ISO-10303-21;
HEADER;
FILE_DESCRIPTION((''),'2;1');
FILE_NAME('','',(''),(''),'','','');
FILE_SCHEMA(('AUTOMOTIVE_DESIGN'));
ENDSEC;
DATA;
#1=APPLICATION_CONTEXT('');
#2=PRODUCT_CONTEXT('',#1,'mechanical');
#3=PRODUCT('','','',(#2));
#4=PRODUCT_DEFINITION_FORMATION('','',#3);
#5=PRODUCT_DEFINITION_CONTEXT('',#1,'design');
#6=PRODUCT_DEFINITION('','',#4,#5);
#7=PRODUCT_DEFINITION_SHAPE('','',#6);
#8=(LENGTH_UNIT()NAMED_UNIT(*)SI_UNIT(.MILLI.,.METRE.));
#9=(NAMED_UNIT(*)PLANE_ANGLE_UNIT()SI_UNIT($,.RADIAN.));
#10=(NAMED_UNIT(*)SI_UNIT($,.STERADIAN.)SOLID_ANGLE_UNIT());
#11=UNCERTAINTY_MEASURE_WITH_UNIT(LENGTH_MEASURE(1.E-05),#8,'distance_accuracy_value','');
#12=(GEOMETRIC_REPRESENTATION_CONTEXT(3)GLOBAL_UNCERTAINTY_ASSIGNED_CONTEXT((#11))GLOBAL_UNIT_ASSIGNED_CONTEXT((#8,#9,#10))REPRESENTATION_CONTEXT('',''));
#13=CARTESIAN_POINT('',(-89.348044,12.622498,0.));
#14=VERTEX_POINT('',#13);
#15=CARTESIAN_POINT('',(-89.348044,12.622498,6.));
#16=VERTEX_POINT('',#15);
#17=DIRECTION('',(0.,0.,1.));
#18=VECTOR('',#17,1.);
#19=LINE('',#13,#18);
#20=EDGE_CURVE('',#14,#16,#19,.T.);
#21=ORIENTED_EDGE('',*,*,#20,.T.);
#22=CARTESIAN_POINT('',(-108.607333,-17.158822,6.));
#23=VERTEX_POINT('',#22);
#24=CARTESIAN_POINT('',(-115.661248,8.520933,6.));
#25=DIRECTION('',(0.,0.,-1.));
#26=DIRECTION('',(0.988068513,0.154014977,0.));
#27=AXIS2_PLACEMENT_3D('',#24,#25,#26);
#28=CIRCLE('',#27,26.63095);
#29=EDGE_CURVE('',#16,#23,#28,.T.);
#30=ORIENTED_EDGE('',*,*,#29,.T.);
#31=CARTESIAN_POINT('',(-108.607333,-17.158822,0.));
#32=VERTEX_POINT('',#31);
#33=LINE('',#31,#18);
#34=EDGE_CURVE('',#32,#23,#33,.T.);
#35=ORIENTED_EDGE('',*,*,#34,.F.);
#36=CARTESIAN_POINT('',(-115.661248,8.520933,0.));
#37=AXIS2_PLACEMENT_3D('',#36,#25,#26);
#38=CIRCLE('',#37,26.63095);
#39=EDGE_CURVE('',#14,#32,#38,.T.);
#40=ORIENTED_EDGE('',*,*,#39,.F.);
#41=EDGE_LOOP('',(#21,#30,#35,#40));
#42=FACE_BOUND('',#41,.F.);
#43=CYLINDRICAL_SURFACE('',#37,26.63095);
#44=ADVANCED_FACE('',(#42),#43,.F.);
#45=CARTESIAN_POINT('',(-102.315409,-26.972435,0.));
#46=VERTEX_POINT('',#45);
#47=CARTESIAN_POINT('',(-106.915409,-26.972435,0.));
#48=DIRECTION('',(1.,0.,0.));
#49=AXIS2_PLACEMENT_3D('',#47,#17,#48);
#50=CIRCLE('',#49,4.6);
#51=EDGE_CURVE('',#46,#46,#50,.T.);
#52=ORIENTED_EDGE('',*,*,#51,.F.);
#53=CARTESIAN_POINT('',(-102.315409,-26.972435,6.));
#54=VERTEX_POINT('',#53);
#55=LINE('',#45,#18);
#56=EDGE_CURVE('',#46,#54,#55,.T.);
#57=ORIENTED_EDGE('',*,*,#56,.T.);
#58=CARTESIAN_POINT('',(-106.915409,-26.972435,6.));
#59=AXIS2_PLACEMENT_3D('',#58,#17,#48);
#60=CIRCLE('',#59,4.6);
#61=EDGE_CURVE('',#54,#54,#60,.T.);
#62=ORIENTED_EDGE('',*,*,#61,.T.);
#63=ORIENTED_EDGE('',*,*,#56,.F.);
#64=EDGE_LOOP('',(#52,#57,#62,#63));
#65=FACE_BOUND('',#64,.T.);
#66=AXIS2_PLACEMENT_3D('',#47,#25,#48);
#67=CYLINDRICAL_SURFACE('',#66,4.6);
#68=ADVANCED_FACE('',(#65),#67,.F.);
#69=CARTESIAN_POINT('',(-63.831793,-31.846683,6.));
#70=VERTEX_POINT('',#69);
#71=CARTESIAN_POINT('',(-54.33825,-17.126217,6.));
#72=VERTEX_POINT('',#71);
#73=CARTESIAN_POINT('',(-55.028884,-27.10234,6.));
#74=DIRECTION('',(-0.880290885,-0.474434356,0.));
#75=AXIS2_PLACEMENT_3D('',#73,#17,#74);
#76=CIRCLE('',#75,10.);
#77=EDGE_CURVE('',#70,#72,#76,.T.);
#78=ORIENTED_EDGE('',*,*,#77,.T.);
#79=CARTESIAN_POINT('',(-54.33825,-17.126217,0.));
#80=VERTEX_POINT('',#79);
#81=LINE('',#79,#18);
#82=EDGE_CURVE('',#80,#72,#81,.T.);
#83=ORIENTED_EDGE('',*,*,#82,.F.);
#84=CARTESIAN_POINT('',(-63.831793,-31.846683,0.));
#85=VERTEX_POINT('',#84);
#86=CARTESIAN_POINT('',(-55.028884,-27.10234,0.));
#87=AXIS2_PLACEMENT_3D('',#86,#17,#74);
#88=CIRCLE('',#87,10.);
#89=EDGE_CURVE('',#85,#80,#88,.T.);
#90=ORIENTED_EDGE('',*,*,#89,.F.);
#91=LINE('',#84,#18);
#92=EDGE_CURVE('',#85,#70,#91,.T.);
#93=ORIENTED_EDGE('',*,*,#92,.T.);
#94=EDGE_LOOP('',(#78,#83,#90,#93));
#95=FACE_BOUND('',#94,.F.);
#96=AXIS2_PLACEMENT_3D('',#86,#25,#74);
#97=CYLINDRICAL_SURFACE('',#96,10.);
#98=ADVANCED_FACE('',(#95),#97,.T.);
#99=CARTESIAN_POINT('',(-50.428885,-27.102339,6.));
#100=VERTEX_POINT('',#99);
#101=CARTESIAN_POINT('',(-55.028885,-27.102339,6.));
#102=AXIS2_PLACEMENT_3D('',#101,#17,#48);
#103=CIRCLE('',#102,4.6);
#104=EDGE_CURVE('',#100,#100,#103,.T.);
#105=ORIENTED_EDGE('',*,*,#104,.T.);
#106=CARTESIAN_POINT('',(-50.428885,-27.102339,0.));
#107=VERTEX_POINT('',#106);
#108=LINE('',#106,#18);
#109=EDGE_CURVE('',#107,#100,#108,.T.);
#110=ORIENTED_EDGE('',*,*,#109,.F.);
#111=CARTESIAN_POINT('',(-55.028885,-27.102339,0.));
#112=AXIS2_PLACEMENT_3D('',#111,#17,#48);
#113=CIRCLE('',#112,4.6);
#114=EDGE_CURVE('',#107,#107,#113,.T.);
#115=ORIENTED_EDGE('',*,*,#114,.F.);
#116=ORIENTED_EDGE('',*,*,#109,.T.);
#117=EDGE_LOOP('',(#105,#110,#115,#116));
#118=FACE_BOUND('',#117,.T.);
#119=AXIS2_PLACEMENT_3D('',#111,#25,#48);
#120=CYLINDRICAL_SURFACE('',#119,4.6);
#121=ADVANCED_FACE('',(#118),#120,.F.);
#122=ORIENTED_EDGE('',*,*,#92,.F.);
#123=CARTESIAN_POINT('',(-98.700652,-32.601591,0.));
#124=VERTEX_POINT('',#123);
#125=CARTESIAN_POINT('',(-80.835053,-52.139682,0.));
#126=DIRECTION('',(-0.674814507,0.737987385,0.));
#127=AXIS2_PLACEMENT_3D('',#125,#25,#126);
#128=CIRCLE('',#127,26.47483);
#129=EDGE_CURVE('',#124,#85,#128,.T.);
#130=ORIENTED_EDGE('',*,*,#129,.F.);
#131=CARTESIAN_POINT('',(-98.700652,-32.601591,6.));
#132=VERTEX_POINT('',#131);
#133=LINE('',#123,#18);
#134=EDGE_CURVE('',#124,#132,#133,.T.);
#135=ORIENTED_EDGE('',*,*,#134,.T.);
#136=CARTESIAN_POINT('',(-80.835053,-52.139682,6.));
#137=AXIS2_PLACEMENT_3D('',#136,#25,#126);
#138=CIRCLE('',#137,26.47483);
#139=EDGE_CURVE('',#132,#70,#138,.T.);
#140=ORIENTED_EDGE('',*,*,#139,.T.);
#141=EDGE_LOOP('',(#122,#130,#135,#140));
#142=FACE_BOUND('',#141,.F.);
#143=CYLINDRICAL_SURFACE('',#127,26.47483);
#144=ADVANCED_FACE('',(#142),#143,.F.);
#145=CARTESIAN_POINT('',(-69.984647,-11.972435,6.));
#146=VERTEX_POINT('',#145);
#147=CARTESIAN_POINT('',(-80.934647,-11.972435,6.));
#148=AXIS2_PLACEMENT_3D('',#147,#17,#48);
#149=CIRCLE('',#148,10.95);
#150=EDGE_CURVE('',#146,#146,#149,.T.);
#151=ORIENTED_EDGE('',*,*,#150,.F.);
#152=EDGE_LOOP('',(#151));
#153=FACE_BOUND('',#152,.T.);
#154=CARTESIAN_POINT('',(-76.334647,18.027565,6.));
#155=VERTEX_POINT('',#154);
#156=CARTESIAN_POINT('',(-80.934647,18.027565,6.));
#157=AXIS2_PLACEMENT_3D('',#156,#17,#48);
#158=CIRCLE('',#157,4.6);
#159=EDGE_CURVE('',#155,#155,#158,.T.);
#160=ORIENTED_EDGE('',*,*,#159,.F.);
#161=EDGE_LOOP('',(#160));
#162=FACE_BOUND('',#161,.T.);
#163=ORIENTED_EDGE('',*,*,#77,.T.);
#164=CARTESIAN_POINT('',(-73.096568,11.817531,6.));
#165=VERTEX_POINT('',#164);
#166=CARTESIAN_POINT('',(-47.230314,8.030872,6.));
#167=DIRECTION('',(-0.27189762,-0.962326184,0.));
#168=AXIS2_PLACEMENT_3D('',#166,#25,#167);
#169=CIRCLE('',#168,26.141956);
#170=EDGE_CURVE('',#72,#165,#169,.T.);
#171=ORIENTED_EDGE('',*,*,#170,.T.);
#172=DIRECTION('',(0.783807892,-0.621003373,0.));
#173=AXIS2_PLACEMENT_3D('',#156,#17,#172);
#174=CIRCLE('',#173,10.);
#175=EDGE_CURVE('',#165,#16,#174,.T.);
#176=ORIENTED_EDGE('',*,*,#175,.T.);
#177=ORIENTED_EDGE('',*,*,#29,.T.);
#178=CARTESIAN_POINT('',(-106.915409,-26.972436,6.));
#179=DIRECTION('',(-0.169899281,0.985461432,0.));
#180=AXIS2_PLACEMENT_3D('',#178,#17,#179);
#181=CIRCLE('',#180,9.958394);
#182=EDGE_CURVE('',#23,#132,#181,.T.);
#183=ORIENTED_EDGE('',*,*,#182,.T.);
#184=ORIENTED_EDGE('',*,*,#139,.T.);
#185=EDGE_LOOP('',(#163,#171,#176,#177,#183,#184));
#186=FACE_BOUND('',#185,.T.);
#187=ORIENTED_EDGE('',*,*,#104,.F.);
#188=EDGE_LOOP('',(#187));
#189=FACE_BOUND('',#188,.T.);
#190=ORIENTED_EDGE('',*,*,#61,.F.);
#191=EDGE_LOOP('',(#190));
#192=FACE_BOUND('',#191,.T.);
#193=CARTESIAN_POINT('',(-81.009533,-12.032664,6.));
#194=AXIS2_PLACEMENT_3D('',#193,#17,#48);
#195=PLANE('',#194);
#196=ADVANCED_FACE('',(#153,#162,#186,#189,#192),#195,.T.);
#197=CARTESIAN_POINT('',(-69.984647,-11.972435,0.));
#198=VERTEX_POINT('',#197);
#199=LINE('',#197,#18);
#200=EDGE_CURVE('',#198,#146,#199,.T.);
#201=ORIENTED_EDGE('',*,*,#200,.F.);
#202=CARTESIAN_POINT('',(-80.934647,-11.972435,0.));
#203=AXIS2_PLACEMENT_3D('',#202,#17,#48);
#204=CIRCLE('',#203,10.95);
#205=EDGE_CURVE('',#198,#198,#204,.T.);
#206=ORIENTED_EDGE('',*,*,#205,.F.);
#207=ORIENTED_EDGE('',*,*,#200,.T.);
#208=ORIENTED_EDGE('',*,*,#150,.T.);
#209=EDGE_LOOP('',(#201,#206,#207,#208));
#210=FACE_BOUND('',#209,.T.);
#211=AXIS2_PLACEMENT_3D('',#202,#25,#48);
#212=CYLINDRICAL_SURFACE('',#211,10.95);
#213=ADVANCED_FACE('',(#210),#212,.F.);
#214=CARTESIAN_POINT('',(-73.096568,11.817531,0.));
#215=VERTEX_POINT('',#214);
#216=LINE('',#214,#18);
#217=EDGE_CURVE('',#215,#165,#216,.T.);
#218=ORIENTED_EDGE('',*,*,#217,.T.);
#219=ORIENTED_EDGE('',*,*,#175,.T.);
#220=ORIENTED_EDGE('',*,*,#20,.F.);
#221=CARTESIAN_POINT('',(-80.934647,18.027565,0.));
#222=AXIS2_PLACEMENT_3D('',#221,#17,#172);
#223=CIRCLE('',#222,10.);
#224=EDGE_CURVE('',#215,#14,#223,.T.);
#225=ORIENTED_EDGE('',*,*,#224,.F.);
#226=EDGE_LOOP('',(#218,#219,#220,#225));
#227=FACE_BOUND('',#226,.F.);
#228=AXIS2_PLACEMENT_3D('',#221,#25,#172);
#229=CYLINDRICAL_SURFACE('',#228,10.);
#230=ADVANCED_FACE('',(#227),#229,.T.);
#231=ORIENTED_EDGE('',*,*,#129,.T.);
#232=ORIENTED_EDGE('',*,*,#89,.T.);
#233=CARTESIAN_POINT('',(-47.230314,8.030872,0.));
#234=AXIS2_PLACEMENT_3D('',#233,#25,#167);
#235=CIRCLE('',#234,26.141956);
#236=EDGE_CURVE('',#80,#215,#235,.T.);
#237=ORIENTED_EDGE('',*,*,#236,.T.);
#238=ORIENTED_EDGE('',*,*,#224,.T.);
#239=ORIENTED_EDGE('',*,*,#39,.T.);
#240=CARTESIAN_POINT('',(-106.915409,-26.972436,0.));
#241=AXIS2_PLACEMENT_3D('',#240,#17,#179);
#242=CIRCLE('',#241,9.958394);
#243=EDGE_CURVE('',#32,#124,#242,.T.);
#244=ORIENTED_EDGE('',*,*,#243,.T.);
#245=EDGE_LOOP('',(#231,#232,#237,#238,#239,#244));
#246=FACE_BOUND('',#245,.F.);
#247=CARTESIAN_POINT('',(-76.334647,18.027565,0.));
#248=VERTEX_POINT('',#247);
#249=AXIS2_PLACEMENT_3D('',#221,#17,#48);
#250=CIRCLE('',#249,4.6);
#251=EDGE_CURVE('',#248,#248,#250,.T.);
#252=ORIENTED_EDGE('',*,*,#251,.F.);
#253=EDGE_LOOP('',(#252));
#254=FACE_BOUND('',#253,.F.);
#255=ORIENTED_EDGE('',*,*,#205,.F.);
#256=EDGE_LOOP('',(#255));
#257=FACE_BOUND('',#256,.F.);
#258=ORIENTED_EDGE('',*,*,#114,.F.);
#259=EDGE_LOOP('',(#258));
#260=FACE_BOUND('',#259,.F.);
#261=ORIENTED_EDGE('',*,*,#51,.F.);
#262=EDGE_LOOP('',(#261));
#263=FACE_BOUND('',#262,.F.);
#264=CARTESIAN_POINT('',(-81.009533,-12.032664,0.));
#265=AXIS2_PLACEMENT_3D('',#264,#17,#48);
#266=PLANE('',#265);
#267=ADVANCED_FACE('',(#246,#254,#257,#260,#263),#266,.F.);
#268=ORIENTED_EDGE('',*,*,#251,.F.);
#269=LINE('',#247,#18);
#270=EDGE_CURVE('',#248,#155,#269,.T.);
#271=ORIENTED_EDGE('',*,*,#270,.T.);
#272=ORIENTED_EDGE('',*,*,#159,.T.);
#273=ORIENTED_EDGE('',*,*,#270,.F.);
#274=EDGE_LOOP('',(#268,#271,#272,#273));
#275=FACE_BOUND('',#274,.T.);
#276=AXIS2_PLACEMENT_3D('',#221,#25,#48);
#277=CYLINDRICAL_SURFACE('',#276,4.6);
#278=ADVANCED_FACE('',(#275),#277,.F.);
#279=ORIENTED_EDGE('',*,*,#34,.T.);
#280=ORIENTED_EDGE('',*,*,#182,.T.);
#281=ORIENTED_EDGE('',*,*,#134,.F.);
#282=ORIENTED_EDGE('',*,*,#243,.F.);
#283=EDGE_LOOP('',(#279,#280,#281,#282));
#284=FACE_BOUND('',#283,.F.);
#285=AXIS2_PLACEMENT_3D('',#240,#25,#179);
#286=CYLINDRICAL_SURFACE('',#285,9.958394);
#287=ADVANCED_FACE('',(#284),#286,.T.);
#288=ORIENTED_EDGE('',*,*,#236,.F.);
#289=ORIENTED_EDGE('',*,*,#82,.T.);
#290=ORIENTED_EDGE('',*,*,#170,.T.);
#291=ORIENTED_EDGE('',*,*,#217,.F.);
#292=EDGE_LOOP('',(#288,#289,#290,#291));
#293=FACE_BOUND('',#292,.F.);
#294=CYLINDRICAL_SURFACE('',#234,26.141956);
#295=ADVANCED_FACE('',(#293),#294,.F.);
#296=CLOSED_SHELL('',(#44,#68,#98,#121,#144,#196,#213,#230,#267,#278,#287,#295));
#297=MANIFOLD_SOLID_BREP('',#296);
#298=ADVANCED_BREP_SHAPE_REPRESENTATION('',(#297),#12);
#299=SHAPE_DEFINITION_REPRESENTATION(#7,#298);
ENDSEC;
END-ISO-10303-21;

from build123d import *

# Parameters (mm, degrees)
F0_R     = 4.6
F0_R_2   = 10.95
F1_DEPTH = 6


with BuildPart() as f1:
    # F0 (on Top) → F1 (new body)
    with BuildSketch(Plane.XY):
        with BuildLine():
            ThreePointArc((-54.33825, -17.126217), (-69.16794, -6.186809), (-73.096568, 11.817531))
            ThreePointArc((-73.096568, 11.817531), (-80.439934, 28.01532), (-89.348044, 12.622498))
            ThreePointArc((-89.348044, 12.622498), (-93.298938, -5.940555), (-108.607333, -17.158822))
            ThreePointArc((-108.607333, -17.158822), (-115.297331, -32.349517), (-98.700652, -32.601591))
            ThreePointArc((-98.700652, -32.601591), (-81.408097, -25.671054), (-63.831793, -31.846683))
            ThreePointArc((-63.831793, -31.846683), (-46.625, -32.522185), (-54.33825, -17.126217))
        make_face()
        with Locations((-106.915409, -26.972435)):
            Circle(F0_R, mode=Mode.SUBTRACT)
        with Locations((-55.028885, -27.102339)):
            Circle(F0_R, mode=Mode.SUBTRACT)
        with Locations((-80.934647, -11.972435)):
            Circle(F0_R_2, mode=Mode.SUBTRACT)
        with Locations((-80.934647, 18.027565)):
            Circle(F0_R, mode=Mode.SUBTRACT)
    extrude(amount=F1_DEPTH)


solid = f1.part
